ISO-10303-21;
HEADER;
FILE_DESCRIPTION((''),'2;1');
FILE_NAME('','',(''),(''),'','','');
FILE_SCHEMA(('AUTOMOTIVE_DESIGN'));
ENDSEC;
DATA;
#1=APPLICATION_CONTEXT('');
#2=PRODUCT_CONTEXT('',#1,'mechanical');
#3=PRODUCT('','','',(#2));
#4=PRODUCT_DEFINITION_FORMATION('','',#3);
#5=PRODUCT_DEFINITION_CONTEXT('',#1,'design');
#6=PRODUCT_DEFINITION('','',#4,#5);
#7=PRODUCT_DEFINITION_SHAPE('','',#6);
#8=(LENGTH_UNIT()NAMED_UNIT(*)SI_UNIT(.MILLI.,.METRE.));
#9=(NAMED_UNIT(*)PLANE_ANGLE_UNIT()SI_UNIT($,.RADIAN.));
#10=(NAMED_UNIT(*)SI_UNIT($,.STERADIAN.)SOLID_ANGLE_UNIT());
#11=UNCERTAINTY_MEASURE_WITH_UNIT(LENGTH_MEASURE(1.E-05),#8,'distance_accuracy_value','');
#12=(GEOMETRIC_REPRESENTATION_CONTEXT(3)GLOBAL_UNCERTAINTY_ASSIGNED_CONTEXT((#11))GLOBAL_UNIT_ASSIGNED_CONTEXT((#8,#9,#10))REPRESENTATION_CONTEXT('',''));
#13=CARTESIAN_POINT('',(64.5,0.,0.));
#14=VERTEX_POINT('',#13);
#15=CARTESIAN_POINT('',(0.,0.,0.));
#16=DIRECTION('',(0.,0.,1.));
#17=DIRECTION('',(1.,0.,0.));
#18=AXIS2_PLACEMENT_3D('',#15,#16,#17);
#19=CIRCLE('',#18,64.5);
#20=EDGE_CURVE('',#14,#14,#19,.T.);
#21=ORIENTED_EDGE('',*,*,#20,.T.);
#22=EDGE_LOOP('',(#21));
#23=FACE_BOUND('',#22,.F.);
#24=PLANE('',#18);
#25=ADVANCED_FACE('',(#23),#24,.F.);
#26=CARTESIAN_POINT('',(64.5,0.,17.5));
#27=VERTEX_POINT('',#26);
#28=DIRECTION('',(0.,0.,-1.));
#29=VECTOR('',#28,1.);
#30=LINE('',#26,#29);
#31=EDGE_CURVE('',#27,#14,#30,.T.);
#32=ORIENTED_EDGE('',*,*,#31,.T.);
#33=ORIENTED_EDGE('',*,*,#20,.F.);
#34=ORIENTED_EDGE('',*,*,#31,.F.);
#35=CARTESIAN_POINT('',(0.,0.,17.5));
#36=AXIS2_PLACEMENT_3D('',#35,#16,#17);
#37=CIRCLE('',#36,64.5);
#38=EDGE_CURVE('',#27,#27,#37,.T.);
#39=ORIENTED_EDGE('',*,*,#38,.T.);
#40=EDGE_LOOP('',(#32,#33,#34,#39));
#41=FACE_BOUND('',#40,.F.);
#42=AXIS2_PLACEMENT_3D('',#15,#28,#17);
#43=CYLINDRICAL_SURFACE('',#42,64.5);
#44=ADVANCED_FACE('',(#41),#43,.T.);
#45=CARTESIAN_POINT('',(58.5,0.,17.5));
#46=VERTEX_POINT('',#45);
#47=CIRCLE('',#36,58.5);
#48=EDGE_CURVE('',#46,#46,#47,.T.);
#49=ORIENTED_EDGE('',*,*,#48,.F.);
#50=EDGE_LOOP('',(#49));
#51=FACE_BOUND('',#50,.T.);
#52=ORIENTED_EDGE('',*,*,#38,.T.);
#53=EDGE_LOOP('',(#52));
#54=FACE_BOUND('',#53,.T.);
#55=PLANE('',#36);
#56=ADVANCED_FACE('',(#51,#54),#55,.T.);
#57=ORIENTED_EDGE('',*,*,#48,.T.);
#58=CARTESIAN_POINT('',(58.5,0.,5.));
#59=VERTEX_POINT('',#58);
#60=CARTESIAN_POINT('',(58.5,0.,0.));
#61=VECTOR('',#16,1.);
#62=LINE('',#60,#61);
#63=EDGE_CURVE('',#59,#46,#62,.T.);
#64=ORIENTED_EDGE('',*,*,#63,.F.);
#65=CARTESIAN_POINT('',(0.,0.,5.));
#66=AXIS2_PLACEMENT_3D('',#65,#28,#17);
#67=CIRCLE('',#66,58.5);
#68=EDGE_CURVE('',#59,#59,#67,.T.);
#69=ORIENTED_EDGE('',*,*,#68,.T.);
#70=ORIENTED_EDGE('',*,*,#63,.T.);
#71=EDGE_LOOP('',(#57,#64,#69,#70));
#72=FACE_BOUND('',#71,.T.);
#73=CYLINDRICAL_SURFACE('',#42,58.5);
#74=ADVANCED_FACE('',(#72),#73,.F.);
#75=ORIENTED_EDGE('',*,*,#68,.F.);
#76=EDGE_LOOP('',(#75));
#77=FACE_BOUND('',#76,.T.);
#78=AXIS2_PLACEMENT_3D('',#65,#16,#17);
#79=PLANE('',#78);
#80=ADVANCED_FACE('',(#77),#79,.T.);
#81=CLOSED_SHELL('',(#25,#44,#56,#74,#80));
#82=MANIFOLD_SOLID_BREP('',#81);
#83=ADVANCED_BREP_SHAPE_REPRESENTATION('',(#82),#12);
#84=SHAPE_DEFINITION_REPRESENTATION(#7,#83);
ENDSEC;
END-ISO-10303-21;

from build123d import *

# Parameters (mm, degrees)
F0_R     = 64.5
F0_R_2   = 58.5
F1_DEPTH = 5
F2_R     = 64.5
F2_R_2   = 58.5
F3_DEPTH = 17.5


with BuildPart() as f1:
    # F0 (on Top) → F1 (new body)
    with BuildSketch(Plane.XY):
        Circle(F0_R)
        Circle(F0_R_2, mode=Mode.SUBTRACT)
        Circle(F0_R_2)
    extrude(amount=F1_DEPTH)

    # F2 (on Top) → F3 (join)
    with BuildSketch(Plane.XY):
        Circle(F2_R)
        Circle(F2_R_2, mode=Mode.SUBTRACT)
    extrude(amount=F3_DEPTH)


solid = f1.part
